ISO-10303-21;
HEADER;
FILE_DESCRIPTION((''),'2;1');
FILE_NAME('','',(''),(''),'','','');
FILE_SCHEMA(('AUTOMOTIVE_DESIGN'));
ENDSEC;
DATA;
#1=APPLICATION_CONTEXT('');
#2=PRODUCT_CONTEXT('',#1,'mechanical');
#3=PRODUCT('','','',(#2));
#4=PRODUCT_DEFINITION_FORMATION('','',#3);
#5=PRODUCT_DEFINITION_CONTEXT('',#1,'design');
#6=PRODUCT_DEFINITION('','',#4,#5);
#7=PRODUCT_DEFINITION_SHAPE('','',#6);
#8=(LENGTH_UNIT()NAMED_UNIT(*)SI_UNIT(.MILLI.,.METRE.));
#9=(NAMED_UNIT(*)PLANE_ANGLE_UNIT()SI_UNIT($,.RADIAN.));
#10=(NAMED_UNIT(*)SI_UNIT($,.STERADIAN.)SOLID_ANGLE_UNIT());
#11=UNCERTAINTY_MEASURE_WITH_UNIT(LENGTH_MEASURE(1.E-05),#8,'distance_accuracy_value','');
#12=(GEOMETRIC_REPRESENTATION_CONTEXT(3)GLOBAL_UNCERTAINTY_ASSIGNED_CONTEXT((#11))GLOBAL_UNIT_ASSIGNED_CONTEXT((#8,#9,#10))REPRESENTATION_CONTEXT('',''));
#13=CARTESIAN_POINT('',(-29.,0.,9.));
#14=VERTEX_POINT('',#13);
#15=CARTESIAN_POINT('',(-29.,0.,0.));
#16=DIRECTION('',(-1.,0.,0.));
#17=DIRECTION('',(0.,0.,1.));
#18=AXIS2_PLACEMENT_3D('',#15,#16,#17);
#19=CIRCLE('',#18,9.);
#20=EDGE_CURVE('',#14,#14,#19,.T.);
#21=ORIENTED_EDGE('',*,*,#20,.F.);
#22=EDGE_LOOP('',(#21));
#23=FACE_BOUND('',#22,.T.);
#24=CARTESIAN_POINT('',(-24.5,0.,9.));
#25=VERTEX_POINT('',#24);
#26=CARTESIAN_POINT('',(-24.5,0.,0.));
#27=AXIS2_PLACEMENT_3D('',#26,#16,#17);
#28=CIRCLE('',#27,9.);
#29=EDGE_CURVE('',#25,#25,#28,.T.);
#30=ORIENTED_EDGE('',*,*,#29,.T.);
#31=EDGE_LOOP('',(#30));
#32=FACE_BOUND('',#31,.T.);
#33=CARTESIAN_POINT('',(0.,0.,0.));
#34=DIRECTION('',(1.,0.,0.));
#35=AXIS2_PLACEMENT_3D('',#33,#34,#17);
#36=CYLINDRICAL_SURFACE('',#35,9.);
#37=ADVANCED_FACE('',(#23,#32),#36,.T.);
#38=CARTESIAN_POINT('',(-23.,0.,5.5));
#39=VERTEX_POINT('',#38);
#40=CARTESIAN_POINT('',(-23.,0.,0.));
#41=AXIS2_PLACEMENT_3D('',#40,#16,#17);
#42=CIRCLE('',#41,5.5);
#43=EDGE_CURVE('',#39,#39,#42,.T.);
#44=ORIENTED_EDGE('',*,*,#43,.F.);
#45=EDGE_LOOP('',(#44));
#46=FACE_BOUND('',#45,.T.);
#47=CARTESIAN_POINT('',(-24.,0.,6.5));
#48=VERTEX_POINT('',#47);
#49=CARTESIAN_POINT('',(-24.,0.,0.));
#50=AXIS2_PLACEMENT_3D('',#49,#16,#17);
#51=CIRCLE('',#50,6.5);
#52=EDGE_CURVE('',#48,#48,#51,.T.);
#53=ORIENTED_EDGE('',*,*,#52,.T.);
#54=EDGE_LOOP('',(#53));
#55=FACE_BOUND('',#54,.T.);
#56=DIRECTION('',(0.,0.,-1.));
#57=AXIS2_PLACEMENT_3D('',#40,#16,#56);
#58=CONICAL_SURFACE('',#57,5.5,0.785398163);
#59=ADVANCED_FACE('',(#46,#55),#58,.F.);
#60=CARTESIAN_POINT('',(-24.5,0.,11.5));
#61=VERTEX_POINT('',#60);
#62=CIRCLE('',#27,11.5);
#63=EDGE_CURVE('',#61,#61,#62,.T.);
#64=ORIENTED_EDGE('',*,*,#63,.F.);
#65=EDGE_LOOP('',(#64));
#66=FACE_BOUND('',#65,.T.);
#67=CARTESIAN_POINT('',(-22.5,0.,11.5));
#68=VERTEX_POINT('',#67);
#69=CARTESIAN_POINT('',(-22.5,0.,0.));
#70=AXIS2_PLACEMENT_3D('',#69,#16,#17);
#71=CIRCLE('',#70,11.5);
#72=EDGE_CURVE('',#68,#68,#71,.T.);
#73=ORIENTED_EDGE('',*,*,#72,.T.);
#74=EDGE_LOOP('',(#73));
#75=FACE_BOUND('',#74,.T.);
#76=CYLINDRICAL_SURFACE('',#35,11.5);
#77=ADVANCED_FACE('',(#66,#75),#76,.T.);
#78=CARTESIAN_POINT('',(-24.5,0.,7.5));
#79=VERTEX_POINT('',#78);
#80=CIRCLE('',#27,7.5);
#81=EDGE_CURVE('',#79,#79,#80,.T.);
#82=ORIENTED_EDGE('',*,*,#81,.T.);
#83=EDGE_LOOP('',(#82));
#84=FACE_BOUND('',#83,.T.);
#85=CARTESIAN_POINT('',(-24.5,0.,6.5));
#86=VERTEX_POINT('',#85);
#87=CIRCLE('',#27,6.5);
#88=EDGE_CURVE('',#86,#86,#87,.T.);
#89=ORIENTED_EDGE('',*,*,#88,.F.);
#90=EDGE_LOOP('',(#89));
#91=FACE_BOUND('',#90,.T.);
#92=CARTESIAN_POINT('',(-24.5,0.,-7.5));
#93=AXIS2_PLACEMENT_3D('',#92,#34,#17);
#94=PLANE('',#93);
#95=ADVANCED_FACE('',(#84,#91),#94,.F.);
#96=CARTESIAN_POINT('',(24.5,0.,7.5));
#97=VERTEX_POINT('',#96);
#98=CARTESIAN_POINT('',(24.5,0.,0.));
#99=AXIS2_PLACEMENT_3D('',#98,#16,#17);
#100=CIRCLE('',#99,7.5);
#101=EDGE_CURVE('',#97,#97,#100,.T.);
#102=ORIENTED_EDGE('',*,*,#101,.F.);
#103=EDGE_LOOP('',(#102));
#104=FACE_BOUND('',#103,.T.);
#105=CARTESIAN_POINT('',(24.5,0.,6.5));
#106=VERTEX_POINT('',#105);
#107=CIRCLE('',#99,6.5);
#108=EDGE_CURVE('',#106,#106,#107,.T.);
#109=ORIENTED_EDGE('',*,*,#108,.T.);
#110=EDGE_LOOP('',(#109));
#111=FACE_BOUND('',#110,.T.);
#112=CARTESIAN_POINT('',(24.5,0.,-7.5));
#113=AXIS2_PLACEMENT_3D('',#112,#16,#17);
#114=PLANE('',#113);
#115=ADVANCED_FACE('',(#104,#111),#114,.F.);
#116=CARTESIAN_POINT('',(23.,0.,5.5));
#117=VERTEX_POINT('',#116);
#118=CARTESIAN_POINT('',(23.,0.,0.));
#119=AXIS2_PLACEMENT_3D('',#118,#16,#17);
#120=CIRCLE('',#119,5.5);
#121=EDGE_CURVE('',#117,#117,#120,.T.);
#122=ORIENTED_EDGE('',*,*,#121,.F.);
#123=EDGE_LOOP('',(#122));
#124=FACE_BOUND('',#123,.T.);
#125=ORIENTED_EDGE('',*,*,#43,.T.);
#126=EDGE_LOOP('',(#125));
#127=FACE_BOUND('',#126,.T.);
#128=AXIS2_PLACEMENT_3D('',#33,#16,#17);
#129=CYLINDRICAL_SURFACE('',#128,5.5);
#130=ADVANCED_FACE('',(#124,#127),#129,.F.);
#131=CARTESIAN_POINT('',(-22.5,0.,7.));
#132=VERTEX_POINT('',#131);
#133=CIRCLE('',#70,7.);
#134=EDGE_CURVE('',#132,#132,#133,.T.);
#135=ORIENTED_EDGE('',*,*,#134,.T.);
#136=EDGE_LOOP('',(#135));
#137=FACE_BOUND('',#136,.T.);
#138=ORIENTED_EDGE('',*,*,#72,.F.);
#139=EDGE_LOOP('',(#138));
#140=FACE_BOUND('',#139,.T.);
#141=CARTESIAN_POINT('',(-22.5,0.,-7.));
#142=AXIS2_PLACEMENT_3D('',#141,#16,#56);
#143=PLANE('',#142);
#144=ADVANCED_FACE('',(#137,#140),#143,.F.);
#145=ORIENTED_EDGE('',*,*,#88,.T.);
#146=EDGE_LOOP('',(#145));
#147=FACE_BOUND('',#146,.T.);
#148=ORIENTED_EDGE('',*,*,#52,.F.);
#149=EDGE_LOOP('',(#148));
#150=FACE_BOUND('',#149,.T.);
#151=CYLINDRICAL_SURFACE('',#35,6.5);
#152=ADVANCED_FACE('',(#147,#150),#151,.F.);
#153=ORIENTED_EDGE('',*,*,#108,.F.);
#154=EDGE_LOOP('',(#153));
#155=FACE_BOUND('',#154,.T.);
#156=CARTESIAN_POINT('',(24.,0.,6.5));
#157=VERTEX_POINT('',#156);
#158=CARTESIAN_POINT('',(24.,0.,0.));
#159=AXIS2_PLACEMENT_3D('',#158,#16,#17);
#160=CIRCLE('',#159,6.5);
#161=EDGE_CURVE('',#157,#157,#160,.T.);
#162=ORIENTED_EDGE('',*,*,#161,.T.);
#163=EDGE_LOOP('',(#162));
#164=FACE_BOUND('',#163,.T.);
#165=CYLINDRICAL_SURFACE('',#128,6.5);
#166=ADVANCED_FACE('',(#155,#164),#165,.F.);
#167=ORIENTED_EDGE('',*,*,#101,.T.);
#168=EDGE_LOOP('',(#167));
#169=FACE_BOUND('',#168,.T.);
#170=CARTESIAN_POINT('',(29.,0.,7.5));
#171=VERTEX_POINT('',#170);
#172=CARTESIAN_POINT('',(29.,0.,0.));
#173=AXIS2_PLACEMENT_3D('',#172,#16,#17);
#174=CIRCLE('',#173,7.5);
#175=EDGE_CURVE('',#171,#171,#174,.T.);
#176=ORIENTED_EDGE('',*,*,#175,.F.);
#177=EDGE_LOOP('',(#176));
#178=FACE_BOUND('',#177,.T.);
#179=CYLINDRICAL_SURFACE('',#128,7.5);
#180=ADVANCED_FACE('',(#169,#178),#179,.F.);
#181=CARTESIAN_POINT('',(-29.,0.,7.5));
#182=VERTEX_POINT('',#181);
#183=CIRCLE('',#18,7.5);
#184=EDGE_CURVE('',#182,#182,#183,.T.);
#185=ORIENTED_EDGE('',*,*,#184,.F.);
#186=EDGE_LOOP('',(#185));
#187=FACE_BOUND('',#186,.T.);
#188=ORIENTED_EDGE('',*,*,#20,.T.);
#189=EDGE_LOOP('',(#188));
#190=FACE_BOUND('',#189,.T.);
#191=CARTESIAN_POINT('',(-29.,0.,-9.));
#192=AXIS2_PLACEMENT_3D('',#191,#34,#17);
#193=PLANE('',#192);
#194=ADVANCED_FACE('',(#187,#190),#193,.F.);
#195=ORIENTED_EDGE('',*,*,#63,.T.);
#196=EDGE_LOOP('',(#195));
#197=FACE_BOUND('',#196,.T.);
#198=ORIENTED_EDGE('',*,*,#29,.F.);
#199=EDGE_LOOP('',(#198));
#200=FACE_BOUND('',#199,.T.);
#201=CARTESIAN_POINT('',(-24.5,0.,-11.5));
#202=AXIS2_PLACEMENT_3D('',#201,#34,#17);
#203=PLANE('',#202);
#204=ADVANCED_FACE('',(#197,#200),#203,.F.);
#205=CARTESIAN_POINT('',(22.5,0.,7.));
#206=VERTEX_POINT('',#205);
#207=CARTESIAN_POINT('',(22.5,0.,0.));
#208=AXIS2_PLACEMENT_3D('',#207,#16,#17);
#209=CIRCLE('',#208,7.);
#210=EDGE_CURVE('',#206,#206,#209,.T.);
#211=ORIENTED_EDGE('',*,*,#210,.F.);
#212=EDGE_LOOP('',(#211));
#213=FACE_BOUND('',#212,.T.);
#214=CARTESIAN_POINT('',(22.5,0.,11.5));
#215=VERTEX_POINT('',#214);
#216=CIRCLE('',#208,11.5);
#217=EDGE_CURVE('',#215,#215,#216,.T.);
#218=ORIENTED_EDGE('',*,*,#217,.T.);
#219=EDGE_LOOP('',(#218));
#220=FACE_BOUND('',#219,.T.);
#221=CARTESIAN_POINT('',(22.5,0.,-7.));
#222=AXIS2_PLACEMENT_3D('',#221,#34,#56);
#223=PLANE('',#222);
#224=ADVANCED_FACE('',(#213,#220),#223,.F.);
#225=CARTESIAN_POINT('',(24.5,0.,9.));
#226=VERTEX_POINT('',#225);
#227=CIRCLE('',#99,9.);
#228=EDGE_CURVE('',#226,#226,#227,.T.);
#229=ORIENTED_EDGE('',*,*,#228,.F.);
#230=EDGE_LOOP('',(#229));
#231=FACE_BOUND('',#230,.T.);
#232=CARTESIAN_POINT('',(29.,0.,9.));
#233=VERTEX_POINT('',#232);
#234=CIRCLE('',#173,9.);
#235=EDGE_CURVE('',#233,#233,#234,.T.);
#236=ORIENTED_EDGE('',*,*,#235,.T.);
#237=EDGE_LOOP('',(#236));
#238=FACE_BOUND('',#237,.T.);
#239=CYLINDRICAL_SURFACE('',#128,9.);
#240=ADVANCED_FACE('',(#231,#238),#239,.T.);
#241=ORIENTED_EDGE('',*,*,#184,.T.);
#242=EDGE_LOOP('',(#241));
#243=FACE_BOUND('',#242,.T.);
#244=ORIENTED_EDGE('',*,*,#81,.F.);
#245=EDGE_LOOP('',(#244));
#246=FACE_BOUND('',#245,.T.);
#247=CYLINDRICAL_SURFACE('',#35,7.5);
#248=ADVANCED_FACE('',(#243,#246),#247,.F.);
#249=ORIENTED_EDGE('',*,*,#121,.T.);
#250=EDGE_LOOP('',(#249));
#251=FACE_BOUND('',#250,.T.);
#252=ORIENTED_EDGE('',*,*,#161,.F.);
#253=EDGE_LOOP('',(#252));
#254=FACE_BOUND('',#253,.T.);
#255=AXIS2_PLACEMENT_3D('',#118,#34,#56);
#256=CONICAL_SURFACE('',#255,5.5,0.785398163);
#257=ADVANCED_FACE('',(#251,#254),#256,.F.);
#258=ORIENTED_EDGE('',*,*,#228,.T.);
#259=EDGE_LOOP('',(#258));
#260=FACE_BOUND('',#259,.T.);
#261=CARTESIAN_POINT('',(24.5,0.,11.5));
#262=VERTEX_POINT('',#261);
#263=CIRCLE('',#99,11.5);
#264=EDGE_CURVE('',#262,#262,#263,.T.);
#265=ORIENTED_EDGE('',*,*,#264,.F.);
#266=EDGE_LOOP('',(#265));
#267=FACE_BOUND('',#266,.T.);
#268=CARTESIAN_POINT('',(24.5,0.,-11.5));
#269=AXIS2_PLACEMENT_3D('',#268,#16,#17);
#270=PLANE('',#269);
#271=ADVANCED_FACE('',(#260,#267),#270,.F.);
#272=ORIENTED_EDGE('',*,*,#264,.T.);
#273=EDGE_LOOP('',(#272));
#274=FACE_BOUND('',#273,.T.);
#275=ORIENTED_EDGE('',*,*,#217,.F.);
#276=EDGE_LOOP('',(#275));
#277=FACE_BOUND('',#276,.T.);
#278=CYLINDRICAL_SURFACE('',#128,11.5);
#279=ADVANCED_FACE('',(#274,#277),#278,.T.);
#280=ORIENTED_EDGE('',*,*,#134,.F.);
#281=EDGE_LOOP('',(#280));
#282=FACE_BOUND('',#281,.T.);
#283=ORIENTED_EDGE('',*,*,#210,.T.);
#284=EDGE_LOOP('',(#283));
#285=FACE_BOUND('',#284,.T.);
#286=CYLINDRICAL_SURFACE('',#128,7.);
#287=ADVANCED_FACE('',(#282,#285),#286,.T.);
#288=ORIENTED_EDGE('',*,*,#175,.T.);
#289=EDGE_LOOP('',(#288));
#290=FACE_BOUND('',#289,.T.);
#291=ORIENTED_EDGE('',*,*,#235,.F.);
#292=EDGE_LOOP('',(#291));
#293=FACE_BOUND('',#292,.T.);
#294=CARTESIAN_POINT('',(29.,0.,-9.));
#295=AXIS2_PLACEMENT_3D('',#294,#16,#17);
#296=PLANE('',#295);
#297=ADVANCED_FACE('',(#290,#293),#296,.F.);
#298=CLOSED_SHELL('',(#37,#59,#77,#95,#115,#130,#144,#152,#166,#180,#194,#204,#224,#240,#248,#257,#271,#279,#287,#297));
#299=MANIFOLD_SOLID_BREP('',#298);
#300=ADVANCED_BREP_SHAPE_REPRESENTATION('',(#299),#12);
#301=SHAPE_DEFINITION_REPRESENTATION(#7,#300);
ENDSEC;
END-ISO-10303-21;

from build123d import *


with BuildPart() as part:
    # 草图1 → 旋转1 (revolve)
    with BuildSketch(Plane(origin=(0, 0, 0), x_dir=(1, 0, 0), z_dir=(0, 1, 0)), mode=Mode.PRIVATE) as revolve_1_sk:
        Polygon((0, 7), (22.5, 7), (22.5, 11.5), (24.5, 11.5), (24.5, 9), (29, 9), (29, 7.5), (24.5, 7.5), (24.5, 6.5), (24, 6.5), (23, 5.5), (0, 5.5), align=None)
    revolve_1 = revolve(revolve_1_sk.sketch.rotate(Axis((0, 0, 0), (1, 0, 0)), 180), axis=Axis((0, 0, 0), (1, 0, 0)))

    # 镜向1: 旋转1 across plane
    add(revolve_1.mirror(Plane(origin=(0, 0, -5.5), x_dir=(0, 0, 1), z_dir=(1, 0, 0))))


solid = part.part
